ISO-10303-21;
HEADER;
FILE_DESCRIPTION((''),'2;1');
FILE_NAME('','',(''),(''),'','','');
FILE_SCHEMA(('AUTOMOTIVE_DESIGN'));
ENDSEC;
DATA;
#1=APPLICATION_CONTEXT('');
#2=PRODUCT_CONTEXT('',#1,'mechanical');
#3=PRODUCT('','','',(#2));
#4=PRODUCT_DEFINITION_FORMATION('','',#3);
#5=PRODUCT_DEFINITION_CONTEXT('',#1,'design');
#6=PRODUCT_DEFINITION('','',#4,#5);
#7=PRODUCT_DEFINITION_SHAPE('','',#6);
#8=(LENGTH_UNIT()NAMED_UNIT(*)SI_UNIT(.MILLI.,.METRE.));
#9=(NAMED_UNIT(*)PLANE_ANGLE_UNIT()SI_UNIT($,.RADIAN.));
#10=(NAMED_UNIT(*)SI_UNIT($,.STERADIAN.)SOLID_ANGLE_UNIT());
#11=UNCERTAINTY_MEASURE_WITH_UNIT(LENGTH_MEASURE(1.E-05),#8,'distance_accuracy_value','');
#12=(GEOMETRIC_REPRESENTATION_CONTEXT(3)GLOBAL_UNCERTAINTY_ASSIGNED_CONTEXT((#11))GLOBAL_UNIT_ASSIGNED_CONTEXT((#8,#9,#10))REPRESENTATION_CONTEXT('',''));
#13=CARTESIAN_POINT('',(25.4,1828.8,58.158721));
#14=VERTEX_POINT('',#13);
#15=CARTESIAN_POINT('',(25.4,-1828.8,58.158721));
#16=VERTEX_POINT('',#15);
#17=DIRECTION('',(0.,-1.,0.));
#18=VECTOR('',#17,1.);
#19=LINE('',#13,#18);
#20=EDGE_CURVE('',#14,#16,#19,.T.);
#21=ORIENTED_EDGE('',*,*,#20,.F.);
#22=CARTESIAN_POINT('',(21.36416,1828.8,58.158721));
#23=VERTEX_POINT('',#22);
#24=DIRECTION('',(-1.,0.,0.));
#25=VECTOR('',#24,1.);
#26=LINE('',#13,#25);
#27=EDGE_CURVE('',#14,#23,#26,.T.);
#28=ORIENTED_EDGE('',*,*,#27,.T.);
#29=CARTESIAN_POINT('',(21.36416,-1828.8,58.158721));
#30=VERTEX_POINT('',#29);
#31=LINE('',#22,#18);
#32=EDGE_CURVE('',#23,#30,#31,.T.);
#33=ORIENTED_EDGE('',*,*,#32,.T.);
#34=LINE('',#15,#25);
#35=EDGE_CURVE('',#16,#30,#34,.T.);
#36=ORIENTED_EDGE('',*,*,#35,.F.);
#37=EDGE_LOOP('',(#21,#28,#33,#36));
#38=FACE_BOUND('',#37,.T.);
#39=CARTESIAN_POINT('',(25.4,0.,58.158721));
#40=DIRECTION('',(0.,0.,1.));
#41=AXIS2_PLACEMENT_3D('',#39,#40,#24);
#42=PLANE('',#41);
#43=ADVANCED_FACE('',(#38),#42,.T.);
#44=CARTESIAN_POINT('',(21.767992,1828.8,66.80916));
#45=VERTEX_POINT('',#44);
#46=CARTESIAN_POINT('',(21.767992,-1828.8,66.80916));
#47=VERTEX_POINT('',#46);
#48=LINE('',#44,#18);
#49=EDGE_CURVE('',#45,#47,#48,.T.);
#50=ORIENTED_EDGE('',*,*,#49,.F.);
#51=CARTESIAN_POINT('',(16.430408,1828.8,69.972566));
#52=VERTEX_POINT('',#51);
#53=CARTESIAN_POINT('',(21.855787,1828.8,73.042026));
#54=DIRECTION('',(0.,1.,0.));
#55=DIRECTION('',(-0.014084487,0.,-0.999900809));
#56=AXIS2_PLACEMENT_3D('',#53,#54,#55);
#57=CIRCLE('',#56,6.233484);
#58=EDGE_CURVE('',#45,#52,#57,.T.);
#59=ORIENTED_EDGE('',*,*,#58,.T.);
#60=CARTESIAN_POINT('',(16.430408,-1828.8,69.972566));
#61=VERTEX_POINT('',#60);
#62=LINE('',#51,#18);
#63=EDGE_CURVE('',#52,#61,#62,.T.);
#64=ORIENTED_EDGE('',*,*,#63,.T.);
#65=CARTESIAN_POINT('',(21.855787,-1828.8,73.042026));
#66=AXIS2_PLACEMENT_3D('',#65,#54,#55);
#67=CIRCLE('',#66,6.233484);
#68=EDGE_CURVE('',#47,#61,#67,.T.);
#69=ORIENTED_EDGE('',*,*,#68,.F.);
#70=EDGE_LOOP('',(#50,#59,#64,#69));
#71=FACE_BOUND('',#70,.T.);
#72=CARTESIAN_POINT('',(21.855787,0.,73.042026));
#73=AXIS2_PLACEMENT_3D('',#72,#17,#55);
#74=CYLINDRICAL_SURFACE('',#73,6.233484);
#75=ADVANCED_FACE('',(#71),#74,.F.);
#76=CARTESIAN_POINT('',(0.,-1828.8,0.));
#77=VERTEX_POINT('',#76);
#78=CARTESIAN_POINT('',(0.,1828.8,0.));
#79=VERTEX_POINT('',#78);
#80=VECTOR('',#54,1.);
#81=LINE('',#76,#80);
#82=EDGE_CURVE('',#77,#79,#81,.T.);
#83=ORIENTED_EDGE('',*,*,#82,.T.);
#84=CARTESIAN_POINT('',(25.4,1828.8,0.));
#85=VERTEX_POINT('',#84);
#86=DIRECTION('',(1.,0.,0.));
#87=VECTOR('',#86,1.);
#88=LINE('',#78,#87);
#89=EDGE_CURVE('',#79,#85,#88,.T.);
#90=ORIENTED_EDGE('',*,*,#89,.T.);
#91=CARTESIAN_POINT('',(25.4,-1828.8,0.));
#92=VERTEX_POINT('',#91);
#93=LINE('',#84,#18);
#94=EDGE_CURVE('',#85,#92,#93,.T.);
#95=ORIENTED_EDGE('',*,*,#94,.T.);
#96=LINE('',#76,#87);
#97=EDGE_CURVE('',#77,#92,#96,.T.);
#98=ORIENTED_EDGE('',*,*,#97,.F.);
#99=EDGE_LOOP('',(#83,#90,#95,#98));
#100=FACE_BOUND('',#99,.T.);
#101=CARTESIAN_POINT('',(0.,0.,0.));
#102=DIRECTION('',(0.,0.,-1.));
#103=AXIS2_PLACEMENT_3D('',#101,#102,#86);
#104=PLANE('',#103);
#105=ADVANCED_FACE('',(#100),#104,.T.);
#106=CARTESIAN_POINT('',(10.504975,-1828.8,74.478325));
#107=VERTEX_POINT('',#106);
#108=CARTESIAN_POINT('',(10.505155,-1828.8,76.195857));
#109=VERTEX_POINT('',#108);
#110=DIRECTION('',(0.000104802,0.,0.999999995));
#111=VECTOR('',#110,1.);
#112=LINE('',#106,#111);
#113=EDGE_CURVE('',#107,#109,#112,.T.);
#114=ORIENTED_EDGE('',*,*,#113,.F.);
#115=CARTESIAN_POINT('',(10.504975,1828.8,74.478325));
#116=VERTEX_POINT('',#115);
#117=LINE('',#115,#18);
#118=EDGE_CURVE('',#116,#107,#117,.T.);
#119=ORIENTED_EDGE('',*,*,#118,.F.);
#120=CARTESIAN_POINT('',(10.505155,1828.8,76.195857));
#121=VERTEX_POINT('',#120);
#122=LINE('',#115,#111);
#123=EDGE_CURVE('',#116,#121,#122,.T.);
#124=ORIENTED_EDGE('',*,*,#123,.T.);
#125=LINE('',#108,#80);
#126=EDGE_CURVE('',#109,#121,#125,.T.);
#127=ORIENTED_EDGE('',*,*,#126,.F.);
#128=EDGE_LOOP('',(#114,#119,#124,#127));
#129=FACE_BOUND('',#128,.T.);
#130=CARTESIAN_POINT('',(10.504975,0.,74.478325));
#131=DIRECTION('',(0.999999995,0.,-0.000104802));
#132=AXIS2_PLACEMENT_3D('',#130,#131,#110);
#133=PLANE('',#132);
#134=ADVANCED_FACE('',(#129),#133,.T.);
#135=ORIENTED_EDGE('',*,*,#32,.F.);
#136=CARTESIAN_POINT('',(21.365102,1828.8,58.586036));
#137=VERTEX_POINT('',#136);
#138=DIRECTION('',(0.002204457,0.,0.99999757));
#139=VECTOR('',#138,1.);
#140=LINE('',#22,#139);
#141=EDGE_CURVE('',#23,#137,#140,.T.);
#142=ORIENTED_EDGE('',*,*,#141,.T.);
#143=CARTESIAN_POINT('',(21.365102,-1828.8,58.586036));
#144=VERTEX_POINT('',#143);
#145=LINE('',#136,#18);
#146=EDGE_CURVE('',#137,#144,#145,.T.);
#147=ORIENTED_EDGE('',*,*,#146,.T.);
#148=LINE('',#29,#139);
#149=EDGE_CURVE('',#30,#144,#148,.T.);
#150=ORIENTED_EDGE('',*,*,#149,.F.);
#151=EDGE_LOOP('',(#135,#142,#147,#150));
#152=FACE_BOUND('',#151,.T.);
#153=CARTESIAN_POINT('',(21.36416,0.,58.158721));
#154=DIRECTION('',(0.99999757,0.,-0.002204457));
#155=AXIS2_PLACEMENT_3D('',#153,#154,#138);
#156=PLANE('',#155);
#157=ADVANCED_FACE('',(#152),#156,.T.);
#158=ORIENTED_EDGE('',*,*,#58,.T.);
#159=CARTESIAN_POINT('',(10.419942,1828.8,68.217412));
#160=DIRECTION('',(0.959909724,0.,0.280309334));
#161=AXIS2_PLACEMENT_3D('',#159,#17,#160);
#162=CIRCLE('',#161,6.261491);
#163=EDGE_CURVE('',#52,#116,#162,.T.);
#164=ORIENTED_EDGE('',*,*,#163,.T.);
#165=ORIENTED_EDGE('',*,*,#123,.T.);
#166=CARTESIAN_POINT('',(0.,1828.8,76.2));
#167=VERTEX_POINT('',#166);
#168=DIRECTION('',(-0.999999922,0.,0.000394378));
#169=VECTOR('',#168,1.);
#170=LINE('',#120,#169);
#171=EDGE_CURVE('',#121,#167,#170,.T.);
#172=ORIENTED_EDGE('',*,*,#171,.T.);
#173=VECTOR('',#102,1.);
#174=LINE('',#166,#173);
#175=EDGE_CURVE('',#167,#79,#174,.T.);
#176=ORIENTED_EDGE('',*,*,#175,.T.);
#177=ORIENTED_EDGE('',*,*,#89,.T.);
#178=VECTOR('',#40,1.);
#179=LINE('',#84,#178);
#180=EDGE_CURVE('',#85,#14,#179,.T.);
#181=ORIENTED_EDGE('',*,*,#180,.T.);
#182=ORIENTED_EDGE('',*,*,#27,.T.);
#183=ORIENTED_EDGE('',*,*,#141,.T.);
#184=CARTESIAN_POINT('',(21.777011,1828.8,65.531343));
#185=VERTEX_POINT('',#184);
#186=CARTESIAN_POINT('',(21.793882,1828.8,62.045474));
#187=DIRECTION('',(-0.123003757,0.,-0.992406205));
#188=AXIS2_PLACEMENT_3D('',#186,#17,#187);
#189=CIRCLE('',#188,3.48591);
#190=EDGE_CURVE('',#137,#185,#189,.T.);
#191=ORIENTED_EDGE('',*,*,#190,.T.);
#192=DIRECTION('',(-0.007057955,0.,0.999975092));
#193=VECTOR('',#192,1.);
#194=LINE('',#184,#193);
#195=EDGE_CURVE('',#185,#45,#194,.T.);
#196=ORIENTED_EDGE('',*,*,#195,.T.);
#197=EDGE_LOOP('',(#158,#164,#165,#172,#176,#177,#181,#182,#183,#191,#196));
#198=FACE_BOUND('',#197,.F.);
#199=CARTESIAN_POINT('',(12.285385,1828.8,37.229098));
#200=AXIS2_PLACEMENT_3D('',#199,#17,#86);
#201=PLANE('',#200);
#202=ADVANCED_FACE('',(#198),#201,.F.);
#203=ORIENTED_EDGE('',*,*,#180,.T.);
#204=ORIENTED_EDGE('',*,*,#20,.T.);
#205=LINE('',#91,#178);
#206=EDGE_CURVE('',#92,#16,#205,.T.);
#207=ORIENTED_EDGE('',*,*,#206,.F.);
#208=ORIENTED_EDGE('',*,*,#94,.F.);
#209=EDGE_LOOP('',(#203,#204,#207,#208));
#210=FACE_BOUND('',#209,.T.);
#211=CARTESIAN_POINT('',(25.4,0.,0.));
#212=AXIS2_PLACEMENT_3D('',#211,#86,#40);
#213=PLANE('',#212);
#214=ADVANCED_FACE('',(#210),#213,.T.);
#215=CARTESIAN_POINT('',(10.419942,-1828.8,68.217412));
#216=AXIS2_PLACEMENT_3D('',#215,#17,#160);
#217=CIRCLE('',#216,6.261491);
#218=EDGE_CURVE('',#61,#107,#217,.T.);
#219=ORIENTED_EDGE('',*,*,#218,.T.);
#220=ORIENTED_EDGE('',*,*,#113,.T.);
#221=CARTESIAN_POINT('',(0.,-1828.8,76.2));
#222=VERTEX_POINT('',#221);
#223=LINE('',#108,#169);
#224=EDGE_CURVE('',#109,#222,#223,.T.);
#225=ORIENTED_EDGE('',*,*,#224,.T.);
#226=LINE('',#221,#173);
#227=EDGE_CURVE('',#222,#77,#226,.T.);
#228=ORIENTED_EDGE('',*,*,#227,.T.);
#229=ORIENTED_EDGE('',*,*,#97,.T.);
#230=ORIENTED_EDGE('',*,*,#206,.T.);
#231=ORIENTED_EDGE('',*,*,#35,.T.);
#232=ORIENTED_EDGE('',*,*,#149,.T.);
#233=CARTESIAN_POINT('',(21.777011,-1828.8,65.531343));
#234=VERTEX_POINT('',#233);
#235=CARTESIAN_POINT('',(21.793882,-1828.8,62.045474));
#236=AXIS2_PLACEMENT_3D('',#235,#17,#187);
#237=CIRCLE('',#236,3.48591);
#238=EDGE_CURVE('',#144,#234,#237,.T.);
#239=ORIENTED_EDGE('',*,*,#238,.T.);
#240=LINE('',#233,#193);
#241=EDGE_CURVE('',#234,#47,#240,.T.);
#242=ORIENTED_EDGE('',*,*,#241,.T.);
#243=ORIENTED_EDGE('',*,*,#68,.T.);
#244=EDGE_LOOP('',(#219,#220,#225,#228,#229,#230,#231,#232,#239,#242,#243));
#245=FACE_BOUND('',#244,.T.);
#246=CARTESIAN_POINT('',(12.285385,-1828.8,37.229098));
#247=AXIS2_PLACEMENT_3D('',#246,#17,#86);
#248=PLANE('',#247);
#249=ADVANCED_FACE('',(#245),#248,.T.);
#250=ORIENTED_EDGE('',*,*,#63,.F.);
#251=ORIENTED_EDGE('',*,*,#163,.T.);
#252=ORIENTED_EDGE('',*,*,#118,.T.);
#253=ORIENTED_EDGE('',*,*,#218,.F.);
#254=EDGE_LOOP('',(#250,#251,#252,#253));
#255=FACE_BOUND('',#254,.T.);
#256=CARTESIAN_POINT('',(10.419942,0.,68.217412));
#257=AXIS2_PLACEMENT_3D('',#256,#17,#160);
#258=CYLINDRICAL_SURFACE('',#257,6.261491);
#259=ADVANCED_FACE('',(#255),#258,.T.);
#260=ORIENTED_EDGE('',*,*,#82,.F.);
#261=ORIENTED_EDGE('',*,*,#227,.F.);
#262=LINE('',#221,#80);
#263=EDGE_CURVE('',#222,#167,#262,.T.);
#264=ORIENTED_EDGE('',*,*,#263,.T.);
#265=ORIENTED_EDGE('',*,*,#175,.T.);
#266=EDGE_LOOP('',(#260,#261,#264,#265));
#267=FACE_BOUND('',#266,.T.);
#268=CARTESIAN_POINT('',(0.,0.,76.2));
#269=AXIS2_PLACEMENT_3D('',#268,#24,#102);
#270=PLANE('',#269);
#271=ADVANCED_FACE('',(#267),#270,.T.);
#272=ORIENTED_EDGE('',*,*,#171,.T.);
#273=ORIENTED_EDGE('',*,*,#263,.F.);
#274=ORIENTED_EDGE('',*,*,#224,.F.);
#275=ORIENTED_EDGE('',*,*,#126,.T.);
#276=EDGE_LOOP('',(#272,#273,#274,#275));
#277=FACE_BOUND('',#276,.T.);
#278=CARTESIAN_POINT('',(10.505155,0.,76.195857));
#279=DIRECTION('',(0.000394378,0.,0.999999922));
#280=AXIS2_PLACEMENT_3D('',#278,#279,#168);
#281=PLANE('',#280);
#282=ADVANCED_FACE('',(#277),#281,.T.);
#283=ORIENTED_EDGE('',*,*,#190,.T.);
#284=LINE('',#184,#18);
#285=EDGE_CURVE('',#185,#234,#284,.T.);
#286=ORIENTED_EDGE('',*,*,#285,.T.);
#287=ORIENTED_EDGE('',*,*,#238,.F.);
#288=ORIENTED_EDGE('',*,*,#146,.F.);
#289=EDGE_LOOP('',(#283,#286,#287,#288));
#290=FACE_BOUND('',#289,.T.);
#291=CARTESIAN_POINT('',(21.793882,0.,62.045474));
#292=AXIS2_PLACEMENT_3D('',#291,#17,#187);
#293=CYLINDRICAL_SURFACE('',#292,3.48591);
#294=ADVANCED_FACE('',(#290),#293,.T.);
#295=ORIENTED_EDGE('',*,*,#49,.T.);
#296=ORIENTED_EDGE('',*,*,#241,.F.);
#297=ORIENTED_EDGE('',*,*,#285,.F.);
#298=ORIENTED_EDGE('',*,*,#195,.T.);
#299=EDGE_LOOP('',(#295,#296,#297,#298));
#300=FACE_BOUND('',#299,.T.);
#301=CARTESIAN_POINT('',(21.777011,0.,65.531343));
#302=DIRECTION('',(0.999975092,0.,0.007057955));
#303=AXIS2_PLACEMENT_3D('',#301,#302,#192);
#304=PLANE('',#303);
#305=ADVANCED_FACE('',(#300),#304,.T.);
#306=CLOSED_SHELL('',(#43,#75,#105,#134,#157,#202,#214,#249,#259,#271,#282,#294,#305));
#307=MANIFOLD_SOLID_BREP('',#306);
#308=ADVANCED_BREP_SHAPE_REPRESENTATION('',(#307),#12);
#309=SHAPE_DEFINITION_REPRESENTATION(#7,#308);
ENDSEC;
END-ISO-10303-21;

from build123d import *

# Parameters (mm, degrees)
F1_DEPTH      = 1828.8
F1_DEPTH_BACK = 1828.8


with BuildPart() as f1:
    # F0 (on Front) → F1 (new body, two sides)
    with BuildSketch(Plane.XZ) as f1_sk:
        with BuildLine():
            Line((0, 0), (25.4, 0))
            Line((25.4, 0), (25.4, 58.158721))
            Line((25.4, 58.158721), (21.36416, 58.158721))
            Line((21.36416, 58.158721), (21.365102, 58.586036))
            ThreePointArc((21.365102, 58.586036), (25.273677, 61.839096), (21.777011, 65.531343))
            Line((21.777011, 65.531343), (21.767992, 66.80916))
            ThreePointArc((21.767992, 66.80916), (18.677649, 67.679586), (16.430408, 69.972566))
            ThreePointArc((16.430408, 69.972566), (14.209961, 73.201589), (10.504975, 74.478325))
            Line((10.504975, 74.478325), (10.505155, 76.195857))
            Line((10.505155, 76.195857), (0, 76.2))
            Line((0, 76.2), (0, 0))
        make_face()
    extrude(amount=F1_DEPTH)
    extrude(f1_sk.sketch, amount=-F1_DEPTH_BACK)


solid = f1.part
